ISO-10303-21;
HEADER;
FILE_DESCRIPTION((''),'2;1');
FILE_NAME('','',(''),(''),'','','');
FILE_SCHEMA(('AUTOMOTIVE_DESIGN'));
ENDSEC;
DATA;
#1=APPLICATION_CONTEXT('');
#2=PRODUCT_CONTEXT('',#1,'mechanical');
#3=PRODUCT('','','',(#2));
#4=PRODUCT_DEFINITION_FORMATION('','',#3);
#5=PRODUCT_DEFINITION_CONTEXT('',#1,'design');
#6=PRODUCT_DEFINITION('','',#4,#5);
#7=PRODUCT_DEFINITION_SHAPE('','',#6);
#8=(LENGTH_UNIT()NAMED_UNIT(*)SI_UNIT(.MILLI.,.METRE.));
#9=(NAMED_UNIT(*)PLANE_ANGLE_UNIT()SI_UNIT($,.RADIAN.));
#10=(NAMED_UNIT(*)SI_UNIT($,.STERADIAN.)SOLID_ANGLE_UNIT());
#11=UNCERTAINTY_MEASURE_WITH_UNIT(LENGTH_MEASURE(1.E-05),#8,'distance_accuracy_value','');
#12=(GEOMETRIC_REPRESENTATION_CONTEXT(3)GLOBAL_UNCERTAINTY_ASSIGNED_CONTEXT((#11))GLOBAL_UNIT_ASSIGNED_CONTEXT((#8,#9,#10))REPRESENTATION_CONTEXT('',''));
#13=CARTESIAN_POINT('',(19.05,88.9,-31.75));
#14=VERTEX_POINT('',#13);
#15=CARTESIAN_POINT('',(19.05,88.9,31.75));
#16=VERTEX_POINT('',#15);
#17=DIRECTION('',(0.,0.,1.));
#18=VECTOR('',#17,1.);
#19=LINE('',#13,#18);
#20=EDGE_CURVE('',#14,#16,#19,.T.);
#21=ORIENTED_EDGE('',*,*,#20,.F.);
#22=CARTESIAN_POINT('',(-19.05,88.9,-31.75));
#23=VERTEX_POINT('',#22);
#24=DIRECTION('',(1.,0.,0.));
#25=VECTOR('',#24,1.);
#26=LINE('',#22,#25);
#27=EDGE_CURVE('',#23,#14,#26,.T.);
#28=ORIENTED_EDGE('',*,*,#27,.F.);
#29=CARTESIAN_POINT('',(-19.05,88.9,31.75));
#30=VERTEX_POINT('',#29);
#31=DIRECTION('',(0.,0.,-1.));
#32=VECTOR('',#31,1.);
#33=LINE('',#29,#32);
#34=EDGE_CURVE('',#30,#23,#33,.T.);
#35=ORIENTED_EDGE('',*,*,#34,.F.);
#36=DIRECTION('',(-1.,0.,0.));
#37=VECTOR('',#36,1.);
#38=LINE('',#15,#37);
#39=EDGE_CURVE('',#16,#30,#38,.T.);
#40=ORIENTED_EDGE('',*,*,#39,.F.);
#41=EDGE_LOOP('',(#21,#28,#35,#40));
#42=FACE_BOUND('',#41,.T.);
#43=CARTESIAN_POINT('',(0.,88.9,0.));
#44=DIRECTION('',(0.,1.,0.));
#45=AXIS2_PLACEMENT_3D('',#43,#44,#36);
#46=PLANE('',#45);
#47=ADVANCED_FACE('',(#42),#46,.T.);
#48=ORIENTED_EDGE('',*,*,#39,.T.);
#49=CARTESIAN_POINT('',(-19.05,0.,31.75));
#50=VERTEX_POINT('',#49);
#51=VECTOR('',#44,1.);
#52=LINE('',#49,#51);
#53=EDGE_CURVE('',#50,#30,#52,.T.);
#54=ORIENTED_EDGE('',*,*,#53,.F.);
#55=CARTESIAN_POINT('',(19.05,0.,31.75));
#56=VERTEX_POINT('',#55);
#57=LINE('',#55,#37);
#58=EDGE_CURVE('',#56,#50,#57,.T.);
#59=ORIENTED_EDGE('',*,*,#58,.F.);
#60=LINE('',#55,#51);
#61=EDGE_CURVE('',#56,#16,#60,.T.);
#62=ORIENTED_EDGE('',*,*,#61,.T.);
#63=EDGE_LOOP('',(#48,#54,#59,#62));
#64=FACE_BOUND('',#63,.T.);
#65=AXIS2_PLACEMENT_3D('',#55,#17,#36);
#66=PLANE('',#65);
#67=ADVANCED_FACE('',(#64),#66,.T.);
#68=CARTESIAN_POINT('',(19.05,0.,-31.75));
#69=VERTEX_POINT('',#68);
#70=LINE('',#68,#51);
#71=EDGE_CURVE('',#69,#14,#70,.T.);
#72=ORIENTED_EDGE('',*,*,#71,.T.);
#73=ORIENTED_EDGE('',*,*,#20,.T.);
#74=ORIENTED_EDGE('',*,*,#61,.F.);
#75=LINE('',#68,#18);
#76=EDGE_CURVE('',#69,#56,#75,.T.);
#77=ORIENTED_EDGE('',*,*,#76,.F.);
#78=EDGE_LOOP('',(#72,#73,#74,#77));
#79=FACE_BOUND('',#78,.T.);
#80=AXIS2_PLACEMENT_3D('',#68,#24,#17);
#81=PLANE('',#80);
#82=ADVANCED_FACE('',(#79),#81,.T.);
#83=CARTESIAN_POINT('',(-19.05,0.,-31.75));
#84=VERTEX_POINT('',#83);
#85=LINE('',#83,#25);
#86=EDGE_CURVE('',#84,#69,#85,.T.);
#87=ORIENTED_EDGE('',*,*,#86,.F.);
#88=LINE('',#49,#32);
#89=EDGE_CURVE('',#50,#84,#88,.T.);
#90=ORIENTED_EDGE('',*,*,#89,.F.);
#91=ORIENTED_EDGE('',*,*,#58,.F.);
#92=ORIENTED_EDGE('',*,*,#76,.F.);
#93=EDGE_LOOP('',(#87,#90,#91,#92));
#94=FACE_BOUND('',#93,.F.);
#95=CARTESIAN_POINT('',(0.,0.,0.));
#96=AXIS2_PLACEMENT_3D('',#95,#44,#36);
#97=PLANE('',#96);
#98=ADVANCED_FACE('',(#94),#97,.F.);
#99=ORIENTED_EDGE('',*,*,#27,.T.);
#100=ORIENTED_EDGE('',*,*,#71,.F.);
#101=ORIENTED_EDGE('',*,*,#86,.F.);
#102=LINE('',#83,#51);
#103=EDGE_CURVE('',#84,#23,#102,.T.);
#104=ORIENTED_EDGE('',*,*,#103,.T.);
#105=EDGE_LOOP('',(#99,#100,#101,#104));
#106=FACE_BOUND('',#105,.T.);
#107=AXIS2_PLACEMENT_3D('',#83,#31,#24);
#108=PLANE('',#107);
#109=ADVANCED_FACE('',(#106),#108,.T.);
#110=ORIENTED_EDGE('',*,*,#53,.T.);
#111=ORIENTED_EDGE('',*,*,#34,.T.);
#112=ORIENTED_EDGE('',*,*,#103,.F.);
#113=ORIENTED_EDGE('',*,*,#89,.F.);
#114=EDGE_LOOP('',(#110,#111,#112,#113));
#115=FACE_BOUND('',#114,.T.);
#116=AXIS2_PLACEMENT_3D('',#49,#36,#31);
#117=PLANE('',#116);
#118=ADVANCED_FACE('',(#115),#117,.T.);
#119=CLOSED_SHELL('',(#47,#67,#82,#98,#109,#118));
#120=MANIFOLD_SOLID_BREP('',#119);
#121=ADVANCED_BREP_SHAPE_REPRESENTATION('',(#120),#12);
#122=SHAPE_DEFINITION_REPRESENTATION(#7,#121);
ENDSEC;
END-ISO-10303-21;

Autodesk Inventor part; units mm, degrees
ref_plane "YZ Plane" through (0, 0, 0) normal (1, 0, 0) x (0, 1, 0)
ref_plane "XZ Plane" through (0, 0, 0) normal (0, 1, 0) x (-1, 0, 0)
ref_plane "XY Plane" through (0, 0, 0) normal (0, 0, 1) x (1, 0, 0)
sketch "Sketch1" plane through (0, 0, 0) normal (0, 1, 0) x (-1, 0, 0)
  line L0 (-19.05, 31.75) -> (19.05, 31.75)
  line L1 (19.05, 31.75) -> (19.05, -31.75)
  line L2 (19.05, -31.75) -> (-19.05, -31.75)
  line L3 (-19.05, -31.75) -> (-19.05, 31.75)
  line L4 (-19.05, 31.75) -> (19.05, -31.75) construction
  line L5 (19.05, 31.75) -> (-19.05, -31.75) construction
  point P0 (0, 0)
  dimension "d0" = 38.1
  dimension "d1" = 63.5
extrude "Extrusion1" add sketch "Sketch1" along normal blind 88.9
properties part number "Rack and Pinion Frame Vertical"
